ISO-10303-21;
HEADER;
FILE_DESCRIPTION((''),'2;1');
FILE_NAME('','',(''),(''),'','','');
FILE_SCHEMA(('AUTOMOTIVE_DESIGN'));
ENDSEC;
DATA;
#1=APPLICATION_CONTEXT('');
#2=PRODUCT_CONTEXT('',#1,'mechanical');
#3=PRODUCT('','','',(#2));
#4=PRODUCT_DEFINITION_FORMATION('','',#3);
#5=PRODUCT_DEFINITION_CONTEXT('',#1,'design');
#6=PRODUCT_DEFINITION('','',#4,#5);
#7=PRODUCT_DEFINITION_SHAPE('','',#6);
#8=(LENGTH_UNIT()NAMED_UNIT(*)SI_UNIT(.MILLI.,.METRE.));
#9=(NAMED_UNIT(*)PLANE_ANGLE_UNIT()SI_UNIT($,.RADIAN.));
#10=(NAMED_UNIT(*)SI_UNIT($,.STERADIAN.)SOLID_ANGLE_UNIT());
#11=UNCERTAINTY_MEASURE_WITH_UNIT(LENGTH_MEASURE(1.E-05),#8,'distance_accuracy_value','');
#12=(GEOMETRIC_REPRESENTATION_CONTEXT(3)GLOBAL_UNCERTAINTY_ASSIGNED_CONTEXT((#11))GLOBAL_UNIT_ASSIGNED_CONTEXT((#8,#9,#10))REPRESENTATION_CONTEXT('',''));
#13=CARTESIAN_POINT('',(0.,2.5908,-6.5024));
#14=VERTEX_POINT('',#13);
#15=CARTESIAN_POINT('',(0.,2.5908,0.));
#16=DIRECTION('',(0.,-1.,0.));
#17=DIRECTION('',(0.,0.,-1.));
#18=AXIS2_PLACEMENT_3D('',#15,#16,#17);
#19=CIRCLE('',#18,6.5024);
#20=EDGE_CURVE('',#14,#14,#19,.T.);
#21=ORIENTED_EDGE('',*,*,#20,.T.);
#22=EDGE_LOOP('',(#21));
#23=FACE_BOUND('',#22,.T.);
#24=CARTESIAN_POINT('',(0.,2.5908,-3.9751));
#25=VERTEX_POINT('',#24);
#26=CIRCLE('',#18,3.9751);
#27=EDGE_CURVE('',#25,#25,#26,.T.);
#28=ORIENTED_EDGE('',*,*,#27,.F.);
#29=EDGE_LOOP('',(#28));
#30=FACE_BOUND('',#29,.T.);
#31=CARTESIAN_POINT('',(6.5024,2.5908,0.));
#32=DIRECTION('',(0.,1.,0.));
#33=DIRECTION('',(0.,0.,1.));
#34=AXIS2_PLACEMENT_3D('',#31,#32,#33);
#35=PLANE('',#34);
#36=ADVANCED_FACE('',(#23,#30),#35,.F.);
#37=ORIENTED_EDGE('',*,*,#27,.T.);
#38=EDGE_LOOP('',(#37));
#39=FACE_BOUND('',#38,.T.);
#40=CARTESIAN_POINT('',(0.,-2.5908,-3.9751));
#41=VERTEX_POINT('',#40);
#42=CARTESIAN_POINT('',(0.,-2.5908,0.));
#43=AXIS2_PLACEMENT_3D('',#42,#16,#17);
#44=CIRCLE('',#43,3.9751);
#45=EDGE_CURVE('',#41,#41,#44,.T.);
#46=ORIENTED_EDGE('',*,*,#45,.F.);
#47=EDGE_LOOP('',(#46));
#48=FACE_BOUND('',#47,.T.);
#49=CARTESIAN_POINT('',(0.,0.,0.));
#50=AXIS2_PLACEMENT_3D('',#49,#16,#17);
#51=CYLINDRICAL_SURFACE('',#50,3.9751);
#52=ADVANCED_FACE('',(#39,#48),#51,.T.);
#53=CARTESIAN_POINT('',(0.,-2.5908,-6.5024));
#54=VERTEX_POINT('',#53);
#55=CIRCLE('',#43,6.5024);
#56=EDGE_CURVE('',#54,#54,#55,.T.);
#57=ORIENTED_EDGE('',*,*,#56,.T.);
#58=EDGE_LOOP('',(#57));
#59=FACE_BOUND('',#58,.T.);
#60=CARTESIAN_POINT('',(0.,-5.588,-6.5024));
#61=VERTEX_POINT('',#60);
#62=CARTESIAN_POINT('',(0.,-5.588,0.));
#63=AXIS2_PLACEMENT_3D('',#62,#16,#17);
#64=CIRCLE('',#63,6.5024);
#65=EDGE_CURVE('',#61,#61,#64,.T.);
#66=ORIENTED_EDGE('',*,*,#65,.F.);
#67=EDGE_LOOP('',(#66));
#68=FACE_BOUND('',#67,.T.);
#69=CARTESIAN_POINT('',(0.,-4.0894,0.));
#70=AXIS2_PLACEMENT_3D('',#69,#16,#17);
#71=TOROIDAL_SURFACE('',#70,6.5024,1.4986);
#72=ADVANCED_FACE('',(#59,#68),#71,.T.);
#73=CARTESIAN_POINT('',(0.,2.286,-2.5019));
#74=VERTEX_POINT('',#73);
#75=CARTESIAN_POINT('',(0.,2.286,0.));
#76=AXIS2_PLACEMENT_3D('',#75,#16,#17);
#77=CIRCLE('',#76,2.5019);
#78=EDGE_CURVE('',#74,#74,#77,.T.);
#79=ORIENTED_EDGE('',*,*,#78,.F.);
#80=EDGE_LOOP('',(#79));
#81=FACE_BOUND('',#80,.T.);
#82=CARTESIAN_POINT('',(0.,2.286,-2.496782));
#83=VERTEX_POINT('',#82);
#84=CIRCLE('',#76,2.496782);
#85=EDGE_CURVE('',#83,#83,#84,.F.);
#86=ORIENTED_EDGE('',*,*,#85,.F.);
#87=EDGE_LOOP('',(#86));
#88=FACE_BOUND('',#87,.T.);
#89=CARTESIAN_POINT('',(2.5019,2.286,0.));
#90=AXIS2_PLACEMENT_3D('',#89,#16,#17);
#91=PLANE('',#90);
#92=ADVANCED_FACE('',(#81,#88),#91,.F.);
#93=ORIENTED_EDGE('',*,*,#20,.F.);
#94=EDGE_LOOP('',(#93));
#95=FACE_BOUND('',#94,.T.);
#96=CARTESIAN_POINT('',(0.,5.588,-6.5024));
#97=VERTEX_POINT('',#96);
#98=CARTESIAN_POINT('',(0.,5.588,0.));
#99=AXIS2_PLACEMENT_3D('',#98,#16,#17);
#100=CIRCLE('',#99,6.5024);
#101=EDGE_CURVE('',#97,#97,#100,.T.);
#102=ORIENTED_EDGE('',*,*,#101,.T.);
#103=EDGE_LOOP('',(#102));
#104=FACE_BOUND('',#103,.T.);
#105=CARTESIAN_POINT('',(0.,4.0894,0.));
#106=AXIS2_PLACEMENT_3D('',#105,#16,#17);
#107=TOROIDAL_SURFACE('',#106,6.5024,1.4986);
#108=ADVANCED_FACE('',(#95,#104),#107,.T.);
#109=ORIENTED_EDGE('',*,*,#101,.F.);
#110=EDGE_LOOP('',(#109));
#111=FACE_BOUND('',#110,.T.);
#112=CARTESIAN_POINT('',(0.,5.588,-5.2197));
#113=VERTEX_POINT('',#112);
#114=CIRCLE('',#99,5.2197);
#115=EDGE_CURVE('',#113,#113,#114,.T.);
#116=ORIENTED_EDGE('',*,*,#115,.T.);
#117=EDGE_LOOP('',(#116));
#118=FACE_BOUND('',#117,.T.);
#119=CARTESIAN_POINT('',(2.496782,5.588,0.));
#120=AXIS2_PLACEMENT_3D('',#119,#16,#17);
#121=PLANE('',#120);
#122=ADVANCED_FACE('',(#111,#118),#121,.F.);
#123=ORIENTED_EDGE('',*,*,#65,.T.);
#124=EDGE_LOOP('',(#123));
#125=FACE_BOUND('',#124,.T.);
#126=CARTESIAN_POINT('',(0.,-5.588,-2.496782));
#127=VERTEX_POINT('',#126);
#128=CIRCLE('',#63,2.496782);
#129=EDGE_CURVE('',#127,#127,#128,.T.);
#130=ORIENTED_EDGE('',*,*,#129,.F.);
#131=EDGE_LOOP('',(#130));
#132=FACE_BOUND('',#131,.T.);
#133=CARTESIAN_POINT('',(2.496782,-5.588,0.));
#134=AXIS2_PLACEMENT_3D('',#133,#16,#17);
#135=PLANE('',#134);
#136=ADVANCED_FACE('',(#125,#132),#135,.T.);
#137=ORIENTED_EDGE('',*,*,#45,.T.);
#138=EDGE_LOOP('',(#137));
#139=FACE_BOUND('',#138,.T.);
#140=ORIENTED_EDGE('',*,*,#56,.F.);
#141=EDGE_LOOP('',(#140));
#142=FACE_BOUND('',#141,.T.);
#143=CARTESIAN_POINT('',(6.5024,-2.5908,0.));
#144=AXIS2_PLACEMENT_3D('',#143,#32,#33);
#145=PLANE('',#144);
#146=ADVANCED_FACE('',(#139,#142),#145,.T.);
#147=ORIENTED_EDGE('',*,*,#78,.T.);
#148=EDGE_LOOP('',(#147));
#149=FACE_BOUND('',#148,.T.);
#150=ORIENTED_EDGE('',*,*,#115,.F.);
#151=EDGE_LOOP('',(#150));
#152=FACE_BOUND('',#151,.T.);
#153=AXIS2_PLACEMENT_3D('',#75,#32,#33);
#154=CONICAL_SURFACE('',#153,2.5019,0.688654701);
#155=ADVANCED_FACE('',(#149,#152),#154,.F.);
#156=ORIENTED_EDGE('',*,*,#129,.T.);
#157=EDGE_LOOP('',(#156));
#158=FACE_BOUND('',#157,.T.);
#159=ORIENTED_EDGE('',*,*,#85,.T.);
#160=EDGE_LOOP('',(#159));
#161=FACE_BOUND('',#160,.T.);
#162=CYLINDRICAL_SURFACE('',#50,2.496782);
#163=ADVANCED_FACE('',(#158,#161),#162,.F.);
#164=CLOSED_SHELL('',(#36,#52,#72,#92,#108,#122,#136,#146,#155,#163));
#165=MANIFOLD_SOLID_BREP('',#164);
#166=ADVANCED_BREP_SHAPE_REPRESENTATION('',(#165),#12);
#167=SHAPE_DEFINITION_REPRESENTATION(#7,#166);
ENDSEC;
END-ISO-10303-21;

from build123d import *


with BuildPart() as part:
    # Sketch2 → Revolve1 (revolve)
    with BuildSketch(Plane.XY):
        with BuildLine():
            Line((2.4967819, -5.588), (2.4967819, 5.588))
            Line((2.4967819, 5.588), (6.5024, 5.588))
            ThreePointArc((6.5024, 5.588), (8.001, 4.0894), (6.5024, 2.5908))
            Line((6.5024, 2.5908), (3.9751, 2.5908))
            Line((3.9751, 2.5908), (3.9751, -2.5908))
            Line((3.9751, -2.5908), (6.5024, -2.5908))
            ThreePointArc((6.5024, -2.5908), (8.001, -4.0894), (6.5024, -5.588))
            Line((6.5024, -5.588), (2.4967819, -5.588))
        make_face()
    revolve(axis=Axis((0, 0, 0), (0, 1, 0)))

    # Sketch3 → Cut-Revolve1 (revolve, cut)
    with BuildSketch(Plane.XY):
        Polygon((0, 5.588), (5.2197, 5.588), (2.5019, 2.286), (0, 2.286), align=None)
    revolve(axis=Axis((0, 2.286, 0), (0, 1, 0)), mode=Mode.SUBTRACT)


solid = part.part
